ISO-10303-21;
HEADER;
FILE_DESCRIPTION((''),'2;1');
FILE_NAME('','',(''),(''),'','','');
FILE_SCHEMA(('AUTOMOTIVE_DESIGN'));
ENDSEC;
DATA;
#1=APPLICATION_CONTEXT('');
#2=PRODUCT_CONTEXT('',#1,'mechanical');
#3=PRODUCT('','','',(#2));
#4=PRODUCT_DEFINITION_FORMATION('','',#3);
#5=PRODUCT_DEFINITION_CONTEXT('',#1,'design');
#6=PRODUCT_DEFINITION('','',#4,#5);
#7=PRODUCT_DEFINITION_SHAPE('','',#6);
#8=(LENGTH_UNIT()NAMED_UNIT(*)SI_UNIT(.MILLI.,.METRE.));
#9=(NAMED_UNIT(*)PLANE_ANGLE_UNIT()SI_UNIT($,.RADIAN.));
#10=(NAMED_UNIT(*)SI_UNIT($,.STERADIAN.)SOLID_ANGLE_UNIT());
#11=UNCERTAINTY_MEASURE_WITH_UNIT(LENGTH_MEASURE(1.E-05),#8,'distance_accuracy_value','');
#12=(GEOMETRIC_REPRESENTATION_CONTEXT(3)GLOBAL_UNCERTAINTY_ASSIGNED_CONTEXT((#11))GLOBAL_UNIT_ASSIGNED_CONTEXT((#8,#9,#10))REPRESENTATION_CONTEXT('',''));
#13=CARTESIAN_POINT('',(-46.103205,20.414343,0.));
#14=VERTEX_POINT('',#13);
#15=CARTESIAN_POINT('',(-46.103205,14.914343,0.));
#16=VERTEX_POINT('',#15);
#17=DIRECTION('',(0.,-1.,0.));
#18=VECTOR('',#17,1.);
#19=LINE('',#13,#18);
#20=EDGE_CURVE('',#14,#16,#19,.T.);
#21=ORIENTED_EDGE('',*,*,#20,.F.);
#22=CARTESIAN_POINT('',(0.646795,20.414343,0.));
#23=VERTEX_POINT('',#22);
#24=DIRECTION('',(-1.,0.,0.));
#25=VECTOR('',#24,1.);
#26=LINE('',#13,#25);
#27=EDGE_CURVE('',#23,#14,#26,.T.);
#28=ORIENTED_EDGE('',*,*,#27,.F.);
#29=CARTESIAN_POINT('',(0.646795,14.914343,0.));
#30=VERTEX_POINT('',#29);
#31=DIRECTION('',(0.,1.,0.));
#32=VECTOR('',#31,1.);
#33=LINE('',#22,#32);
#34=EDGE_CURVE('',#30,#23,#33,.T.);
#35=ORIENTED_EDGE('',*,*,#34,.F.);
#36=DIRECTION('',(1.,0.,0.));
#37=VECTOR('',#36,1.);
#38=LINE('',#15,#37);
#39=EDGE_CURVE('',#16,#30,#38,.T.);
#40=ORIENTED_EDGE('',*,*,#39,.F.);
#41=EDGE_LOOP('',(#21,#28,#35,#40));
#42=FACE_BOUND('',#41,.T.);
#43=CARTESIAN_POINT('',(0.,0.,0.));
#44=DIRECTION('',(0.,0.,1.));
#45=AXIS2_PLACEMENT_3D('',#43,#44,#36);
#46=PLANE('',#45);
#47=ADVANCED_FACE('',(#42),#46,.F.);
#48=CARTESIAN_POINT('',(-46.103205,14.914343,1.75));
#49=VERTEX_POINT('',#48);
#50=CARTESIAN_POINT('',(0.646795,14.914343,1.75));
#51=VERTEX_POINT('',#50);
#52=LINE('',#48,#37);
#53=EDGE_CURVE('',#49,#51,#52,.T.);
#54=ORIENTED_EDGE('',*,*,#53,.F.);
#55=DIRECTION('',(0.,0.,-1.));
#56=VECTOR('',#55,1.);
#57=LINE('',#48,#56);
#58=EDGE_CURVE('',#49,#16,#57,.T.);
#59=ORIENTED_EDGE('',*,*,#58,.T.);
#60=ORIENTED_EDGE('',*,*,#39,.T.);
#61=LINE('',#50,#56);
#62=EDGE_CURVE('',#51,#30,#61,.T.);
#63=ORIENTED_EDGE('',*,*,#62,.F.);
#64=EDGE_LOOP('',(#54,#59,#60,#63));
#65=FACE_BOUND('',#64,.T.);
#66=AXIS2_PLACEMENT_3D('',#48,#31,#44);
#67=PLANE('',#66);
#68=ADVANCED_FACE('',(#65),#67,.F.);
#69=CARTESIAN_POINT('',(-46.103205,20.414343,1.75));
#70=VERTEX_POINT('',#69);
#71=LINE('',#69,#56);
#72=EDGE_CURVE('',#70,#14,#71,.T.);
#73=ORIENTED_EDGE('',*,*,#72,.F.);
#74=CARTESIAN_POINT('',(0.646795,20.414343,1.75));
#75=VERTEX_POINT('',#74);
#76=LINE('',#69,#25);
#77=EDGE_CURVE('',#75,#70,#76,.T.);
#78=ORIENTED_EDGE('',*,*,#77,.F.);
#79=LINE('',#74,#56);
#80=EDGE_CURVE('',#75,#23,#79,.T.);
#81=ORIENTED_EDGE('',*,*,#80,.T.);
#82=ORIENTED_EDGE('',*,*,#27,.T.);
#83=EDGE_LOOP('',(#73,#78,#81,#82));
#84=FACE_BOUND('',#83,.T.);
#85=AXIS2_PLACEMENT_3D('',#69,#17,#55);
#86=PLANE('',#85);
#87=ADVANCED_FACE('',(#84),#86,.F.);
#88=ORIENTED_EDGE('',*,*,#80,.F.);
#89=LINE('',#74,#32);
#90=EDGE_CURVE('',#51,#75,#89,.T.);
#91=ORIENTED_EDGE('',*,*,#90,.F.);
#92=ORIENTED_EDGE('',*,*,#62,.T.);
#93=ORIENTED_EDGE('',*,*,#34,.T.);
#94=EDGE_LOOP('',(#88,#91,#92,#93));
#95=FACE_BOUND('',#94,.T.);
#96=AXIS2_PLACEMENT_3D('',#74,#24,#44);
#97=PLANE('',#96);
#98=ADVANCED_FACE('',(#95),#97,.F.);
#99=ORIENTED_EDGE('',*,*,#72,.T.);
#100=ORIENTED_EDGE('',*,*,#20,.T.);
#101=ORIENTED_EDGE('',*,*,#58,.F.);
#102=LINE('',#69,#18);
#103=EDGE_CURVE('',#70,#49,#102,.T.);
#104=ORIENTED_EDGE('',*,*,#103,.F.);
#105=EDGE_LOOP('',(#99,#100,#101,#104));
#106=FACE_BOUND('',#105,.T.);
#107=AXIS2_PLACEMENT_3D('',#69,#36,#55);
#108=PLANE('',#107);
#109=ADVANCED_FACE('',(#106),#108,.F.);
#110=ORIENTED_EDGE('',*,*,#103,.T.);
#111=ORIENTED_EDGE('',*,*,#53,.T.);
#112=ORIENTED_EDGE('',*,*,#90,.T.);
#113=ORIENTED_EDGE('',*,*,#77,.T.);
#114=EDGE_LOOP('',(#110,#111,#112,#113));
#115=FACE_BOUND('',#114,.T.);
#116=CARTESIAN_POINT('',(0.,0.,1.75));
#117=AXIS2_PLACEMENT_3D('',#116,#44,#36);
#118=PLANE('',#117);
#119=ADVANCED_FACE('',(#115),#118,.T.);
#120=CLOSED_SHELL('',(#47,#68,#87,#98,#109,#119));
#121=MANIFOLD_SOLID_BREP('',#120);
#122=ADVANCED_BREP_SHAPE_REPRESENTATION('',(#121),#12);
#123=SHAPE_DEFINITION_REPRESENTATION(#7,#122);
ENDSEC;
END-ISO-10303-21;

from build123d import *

# Parameters (mm, degrees)
ESBO_O1_W                = 46.75
ESBO_O1_H                = 5.5
RESSALTO_EXTRUS_O1_DEPTH = 1.75


with BuildPart() as part:
    # Esboço1 → Ressalto-extrusão1 (new body)
    with BuildSketch(Plane.XY):
        with Locations((-22.728205296, 17.664343023)):
            Rectangle(ESBO_O1_W, ESBO_O1_H)
    extrude(amount=RESSALTO_EXTRUS_O1_DEPTH)


solid = part.part
